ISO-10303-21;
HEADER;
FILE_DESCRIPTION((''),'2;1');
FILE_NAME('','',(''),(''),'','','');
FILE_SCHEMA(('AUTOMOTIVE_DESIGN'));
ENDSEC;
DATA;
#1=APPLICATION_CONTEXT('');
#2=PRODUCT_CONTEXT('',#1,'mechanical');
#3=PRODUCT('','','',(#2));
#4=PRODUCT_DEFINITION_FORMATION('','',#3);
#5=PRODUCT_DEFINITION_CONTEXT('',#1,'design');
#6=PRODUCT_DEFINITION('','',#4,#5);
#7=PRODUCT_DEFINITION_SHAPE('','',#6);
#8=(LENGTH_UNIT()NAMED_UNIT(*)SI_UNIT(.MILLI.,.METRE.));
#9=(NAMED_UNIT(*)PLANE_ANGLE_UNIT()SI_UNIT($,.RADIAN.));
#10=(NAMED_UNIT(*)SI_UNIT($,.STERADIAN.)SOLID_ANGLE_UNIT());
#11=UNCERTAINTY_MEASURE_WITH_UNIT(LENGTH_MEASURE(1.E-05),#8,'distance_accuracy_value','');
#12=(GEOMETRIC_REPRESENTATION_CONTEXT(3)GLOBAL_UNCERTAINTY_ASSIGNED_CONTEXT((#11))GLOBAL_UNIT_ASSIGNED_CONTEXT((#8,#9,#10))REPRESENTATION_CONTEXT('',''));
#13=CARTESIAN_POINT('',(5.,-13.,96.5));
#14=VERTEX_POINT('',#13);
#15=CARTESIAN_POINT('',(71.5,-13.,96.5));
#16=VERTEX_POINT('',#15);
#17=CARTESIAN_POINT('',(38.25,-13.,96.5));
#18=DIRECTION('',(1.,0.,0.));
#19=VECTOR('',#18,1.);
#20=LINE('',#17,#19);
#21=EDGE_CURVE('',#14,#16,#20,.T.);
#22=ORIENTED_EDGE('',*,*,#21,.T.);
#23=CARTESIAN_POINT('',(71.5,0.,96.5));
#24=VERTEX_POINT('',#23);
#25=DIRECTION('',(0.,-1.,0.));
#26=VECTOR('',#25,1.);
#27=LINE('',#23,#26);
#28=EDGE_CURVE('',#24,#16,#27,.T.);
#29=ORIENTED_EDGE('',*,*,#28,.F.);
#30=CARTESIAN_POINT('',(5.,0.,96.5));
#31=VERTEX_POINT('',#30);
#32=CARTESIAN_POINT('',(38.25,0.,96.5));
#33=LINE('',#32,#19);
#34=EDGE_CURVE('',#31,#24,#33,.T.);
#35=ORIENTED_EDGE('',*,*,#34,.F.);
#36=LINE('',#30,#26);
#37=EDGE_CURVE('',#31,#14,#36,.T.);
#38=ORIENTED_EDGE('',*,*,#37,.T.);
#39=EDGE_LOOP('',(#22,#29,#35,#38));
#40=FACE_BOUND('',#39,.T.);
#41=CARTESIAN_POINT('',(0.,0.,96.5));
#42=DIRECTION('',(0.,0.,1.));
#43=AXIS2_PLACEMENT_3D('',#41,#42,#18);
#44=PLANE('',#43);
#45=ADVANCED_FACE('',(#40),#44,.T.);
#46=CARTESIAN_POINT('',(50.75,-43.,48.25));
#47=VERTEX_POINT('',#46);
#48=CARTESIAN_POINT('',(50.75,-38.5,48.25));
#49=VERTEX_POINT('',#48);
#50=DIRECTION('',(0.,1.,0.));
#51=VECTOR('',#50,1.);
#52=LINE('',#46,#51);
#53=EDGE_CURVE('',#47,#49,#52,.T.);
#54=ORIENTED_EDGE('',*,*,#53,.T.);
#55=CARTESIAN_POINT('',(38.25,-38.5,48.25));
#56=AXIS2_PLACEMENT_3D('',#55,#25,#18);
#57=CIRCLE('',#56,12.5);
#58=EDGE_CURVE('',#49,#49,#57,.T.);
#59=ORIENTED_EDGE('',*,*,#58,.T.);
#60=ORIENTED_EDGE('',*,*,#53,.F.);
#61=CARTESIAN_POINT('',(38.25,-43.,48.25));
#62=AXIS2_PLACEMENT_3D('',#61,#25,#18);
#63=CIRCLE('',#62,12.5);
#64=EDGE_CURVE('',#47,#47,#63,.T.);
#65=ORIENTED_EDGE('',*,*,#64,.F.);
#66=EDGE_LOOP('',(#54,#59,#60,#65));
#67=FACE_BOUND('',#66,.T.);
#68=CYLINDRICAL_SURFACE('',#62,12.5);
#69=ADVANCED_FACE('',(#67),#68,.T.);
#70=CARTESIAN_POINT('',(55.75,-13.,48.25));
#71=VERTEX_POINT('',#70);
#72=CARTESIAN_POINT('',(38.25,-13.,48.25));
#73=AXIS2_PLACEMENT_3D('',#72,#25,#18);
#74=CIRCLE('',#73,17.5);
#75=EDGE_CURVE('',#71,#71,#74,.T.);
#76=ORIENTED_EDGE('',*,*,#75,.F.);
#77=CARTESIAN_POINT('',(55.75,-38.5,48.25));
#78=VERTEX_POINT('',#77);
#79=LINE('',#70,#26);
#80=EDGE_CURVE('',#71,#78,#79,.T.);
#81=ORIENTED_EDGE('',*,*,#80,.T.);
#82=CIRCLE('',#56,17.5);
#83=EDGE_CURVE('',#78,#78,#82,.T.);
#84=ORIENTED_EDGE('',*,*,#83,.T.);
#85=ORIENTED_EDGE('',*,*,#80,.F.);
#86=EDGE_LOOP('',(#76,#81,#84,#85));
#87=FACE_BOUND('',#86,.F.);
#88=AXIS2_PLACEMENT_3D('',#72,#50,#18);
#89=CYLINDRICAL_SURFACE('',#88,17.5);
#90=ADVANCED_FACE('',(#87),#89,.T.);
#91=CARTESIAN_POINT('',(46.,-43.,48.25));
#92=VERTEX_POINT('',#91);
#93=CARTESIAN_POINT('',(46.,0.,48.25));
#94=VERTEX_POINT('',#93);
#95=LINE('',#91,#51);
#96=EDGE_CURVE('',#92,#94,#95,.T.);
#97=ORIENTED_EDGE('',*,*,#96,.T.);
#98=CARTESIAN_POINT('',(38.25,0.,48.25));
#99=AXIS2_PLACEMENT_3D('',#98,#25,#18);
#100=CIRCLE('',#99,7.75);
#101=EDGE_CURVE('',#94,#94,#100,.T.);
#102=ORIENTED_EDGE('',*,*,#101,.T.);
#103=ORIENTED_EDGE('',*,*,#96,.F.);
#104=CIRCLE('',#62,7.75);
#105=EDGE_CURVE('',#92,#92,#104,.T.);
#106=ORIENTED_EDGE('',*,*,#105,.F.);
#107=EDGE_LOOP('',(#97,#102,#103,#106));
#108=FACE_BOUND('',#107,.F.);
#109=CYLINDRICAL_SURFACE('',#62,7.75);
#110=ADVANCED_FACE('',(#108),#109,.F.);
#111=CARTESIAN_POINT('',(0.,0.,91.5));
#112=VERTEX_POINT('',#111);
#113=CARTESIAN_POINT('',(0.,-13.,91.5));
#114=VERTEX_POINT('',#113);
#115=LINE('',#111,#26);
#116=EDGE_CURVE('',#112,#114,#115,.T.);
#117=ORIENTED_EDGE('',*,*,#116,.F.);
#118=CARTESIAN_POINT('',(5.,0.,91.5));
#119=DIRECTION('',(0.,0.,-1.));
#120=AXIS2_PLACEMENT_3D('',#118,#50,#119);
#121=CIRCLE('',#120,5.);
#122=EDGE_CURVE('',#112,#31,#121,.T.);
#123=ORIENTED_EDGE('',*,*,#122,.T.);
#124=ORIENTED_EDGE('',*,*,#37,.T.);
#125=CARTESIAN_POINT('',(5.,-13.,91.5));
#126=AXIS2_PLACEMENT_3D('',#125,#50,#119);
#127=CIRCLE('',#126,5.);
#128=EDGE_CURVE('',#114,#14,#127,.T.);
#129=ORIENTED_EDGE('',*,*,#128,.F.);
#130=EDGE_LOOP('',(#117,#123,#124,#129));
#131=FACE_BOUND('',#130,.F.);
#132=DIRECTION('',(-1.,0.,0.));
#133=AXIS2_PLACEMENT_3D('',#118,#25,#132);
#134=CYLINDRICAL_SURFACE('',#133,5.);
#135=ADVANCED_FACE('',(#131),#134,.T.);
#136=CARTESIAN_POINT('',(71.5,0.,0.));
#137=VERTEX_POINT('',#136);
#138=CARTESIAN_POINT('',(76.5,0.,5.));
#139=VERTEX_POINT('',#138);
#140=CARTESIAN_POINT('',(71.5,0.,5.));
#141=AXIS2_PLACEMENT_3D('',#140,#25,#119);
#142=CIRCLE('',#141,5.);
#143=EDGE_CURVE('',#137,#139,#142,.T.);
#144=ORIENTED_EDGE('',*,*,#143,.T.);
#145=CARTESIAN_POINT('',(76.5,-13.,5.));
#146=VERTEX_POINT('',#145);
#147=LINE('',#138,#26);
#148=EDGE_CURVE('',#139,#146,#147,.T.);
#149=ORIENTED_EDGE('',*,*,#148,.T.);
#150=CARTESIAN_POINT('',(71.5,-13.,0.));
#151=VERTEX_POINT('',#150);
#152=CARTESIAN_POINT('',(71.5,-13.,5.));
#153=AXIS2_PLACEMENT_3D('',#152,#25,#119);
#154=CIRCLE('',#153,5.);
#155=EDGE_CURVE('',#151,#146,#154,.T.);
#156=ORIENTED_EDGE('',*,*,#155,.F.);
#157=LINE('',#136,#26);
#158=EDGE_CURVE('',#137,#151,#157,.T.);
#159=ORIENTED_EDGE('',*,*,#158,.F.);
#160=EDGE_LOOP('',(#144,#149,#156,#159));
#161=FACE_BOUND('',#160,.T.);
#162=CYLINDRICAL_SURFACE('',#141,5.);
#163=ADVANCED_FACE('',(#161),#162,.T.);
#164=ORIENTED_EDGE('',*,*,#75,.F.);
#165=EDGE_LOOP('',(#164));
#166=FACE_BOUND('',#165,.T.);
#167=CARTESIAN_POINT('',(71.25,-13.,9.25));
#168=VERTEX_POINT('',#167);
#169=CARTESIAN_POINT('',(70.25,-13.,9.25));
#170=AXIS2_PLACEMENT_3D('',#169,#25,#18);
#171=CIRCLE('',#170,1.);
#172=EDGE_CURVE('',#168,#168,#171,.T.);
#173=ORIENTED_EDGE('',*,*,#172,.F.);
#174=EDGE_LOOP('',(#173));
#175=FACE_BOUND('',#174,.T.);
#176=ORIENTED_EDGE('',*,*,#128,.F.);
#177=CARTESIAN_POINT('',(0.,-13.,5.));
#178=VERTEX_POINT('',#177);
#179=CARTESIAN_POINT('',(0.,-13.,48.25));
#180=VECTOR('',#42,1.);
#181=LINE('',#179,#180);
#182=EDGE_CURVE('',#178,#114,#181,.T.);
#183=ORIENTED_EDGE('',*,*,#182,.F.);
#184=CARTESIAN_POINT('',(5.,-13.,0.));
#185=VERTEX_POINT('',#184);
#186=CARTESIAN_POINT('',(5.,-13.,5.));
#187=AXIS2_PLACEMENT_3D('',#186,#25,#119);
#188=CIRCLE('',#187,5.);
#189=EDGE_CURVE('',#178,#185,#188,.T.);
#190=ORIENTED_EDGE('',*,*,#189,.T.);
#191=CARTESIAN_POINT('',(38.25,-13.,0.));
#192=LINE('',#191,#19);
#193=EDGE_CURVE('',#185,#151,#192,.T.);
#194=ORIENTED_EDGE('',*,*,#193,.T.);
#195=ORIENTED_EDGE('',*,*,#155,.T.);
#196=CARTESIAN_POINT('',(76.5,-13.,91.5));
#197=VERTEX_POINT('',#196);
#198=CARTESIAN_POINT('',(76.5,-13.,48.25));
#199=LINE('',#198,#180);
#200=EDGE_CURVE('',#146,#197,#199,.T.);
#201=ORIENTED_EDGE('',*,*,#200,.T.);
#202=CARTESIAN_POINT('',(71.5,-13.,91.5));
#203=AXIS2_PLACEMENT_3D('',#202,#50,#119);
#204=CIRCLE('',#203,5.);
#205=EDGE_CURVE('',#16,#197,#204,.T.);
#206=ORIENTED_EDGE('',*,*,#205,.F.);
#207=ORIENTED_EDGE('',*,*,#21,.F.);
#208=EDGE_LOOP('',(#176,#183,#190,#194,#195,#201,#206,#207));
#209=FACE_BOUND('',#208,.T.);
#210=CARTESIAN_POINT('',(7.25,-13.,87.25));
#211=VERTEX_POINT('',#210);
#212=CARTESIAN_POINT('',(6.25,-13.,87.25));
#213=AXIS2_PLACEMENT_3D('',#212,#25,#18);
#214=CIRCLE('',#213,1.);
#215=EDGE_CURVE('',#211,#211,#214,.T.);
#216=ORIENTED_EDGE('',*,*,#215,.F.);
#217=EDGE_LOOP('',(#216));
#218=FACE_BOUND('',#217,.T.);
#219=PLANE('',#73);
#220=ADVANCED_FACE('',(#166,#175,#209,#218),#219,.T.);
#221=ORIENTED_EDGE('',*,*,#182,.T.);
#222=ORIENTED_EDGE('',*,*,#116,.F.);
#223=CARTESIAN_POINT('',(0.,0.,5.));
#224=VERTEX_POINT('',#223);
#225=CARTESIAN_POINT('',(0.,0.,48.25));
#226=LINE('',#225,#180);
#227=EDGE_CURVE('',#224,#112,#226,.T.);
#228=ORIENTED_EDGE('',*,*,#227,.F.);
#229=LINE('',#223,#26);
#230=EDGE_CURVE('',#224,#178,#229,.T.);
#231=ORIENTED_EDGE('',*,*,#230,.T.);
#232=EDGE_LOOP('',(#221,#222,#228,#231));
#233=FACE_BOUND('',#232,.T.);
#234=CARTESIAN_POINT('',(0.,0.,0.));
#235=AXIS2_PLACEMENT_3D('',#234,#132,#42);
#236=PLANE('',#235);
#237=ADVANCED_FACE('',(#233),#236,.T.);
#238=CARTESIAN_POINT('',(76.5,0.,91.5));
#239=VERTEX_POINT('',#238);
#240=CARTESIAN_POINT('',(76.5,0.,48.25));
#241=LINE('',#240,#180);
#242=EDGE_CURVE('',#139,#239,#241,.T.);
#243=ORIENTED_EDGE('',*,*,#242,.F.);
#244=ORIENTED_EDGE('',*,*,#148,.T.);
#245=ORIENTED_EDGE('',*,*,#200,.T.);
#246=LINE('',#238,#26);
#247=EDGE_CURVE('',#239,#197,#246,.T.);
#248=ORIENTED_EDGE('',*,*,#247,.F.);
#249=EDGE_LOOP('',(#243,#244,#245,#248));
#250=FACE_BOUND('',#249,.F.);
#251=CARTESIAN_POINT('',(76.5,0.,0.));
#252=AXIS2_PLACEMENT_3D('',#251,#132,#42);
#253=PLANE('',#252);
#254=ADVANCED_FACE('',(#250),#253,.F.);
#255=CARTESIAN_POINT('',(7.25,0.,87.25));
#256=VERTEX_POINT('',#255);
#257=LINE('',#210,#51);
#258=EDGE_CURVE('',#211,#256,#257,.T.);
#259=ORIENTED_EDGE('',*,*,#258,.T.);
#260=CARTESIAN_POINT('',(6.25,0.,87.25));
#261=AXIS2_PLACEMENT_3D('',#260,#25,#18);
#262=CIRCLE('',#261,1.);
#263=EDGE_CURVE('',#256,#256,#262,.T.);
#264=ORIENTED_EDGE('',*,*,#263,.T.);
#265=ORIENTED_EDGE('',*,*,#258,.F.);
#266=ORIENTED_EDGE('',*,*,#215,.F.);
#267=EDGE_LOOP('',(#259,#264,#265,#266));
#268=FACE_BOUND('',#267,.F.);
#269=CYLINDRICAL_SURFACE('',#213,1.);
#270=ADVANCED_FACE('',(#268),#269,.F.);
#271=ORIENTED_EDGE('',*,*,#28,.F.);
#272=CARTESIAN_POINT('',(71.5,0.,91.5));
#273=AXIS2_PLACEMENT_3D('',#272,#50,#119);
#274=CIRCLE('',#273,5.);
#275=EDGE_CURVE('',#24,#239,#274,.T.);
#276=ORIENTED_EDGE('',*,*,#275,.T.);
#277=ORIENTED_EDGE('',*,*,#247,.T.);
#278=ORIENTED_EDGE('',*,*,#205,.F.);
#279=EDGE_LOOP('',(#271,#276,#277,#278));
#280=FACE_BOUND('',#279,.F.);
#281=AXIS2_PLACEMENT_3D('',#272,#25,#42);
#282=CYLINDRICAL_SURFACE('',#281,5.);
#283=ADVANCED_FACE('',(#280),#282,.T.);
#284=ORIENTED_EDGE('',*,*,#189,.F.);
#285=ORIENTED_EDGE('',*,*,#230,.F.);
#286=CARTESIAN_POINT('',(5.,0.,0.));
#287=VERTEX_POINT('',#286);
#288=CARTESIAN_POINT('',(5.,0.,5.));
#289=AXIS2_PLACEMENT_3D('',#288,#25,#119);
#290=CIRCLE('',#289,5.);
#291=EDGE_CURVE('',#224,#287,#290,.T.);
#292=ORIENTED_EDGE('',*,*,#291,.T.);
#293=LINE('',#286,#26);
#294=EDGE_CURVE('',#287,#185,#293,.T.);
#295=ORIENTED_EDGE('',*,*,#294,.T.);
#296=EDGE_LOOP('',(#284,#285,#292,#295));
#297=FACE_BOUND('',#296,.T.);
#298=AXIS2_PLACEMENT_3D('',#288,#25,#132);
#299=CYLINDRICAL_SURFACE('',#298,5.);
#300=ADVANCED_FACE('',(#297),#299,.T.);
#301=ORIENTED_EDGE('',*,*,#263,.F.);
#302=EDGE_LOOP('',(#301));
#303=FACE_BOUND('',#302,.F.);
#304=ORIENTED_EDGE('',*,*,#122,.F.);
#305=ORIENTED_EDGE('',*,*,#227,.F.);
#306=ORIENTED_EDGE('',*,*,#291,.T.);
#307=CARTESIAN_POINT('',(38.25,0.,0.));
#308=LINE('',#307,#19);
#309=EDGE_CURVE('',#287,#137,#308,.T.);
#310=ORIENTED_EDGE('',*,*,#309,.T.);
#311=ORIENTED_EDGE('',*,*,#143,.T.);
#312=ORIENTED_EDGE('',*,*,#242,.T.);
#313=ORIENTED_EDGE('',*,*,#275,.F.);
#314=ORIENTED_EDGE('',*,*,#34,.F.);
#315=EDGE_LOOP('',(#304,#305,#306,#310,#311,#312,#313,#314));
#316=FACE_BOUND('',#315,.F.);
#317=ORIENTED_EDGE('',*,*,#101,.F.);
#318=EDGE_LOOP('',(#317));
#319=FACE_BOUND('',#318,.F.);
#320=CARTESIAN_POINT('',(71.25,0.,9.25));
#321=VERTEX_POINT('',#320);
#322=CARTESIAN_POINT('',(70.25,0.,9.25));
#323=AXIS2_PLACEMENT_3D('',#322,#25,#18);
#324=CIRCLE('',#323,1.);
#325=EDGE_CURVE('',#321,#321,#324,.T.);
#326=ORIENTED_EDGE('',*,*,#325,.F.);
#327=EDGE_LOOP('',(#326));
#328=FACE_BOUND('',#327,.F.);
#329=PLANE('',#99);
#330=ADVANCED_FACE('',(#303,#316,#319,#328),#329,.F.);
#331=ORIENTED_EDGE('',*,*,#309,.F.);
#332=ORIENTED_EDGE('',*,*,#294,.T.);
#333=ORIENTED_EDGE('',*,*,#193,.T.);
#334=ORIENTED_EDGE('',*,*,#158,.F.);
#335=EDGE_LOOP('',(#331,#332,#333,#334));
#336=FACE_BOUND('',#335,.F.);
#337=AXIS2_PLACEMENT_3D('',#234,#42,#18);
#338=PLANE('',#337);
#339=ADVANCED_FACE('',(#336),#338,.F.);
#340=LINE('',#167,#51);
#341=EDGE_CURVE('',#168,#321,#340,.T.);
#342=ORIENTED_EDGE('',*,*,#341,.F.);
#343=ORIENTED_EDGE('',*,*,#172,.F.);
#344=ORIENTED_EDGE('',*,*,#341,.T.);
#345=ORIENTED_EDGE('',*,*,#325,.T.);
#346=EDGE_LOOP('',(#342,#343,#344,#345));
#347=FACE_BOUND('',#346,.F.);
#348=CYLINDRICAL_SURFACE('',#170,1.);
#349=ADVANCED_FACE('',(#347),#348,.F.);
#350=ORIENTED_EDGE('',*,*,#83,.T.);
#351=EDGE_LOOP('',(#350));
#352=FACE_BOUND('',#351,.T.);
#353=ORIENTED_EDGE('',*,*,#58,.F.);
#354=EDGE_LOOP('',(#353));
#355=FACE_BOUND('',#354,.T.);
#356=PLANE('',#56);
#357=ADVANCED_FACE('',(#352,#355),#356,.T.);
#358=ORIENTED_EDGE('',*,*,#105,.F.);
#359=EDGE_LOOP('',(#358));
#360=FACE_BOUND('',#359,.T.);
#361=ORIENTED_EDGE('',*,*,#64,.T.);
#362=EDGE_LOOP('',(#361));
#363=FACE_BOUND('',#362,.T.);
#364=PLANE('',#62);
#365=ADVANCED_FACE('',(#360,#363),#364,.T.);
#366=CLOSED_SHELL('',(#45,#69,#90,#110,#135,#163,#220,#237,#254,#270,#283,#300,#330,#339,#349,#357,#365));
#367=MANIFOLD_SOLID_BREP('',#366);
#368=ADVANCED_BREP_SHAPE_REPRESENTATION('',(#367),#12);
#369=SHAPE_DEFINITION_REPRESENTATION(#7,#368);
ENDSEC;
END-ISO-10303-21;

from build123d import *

# Parameters (mm, degrees)
F0_W      = 76.5
F0_H      = 96.5
F1_DEPTH  = 13
F2_R      = 17.5
F3_DEPTH  = 30
F4_R      = 5
F5_R      = 17.5
F5_R_2    = 12.5
F6_DEPTH  = 4.5
F7_R      = 7.75
F8_DEPTH  = 43
F9_R      = 1
F10_DEPTH = 13


with BuildPart() as f1:
    # F0 (on Front) → F1 (new body)
    with BuildSketch(Plane.XZ):
        with Locations((38.25, 48.25)):
            Rectangle(F0_W, F0_H)
    extrude(amount=F1_DEPTH)

    # F2 (on face) → F3 (join)
    with BuildSketch(Plane.XZ.offset(13)):
        with Locations((38.25, 48.25)):
            Circle(F2_R)
    extrude(amount=F3_DEPTH)

    # F4
    f4_edges = [f1.edges().sort_by_distance(p)[0] for p in [
        (76.5, -6.5, 96.5),
        (0, -6.5, 96.5),
        (0, -6.5, 0),
        (76.5, -6.5, 0),
    ]]
    fillet(f4_edges, radius=F4_R)

    # F5 (on face) → F6 (cut)
    with BuildSketch(Plane.XZ.offset(43)):
        with Locations((38.25, 48.25)):
            Circle(F5_R)
        with Locations((38.25, 48.25)):
            Circle(F5_R_2, mode=Mode.SUBTRACT)
    extrude(amount=-F6_DEPTH, mode=Mode.SUBTRACT)

    # F7 (on face) → F8 (cut, through all)
    with BuildSketch(Plane.XZ.offset(43)):
        with Locations((38.25, 48.25)):
            Circle(F7_R)
    extrude(amount=-F8_DEPTH, mode=Mode.SUBTRACT)

    # F9 (on face) → F10 (cut, through all)
    with BuildSketch(Plane.XZ.offset(13)):
        with Locations((6.25, 87.25)):
            Circle(F9_R)
        with Locations((70.25, 9.25)):
            Circle(F9_R)
    extrude(amount=-F10_DEPTH, mode=Mode.SUBTRACT)


solid = f1.part
